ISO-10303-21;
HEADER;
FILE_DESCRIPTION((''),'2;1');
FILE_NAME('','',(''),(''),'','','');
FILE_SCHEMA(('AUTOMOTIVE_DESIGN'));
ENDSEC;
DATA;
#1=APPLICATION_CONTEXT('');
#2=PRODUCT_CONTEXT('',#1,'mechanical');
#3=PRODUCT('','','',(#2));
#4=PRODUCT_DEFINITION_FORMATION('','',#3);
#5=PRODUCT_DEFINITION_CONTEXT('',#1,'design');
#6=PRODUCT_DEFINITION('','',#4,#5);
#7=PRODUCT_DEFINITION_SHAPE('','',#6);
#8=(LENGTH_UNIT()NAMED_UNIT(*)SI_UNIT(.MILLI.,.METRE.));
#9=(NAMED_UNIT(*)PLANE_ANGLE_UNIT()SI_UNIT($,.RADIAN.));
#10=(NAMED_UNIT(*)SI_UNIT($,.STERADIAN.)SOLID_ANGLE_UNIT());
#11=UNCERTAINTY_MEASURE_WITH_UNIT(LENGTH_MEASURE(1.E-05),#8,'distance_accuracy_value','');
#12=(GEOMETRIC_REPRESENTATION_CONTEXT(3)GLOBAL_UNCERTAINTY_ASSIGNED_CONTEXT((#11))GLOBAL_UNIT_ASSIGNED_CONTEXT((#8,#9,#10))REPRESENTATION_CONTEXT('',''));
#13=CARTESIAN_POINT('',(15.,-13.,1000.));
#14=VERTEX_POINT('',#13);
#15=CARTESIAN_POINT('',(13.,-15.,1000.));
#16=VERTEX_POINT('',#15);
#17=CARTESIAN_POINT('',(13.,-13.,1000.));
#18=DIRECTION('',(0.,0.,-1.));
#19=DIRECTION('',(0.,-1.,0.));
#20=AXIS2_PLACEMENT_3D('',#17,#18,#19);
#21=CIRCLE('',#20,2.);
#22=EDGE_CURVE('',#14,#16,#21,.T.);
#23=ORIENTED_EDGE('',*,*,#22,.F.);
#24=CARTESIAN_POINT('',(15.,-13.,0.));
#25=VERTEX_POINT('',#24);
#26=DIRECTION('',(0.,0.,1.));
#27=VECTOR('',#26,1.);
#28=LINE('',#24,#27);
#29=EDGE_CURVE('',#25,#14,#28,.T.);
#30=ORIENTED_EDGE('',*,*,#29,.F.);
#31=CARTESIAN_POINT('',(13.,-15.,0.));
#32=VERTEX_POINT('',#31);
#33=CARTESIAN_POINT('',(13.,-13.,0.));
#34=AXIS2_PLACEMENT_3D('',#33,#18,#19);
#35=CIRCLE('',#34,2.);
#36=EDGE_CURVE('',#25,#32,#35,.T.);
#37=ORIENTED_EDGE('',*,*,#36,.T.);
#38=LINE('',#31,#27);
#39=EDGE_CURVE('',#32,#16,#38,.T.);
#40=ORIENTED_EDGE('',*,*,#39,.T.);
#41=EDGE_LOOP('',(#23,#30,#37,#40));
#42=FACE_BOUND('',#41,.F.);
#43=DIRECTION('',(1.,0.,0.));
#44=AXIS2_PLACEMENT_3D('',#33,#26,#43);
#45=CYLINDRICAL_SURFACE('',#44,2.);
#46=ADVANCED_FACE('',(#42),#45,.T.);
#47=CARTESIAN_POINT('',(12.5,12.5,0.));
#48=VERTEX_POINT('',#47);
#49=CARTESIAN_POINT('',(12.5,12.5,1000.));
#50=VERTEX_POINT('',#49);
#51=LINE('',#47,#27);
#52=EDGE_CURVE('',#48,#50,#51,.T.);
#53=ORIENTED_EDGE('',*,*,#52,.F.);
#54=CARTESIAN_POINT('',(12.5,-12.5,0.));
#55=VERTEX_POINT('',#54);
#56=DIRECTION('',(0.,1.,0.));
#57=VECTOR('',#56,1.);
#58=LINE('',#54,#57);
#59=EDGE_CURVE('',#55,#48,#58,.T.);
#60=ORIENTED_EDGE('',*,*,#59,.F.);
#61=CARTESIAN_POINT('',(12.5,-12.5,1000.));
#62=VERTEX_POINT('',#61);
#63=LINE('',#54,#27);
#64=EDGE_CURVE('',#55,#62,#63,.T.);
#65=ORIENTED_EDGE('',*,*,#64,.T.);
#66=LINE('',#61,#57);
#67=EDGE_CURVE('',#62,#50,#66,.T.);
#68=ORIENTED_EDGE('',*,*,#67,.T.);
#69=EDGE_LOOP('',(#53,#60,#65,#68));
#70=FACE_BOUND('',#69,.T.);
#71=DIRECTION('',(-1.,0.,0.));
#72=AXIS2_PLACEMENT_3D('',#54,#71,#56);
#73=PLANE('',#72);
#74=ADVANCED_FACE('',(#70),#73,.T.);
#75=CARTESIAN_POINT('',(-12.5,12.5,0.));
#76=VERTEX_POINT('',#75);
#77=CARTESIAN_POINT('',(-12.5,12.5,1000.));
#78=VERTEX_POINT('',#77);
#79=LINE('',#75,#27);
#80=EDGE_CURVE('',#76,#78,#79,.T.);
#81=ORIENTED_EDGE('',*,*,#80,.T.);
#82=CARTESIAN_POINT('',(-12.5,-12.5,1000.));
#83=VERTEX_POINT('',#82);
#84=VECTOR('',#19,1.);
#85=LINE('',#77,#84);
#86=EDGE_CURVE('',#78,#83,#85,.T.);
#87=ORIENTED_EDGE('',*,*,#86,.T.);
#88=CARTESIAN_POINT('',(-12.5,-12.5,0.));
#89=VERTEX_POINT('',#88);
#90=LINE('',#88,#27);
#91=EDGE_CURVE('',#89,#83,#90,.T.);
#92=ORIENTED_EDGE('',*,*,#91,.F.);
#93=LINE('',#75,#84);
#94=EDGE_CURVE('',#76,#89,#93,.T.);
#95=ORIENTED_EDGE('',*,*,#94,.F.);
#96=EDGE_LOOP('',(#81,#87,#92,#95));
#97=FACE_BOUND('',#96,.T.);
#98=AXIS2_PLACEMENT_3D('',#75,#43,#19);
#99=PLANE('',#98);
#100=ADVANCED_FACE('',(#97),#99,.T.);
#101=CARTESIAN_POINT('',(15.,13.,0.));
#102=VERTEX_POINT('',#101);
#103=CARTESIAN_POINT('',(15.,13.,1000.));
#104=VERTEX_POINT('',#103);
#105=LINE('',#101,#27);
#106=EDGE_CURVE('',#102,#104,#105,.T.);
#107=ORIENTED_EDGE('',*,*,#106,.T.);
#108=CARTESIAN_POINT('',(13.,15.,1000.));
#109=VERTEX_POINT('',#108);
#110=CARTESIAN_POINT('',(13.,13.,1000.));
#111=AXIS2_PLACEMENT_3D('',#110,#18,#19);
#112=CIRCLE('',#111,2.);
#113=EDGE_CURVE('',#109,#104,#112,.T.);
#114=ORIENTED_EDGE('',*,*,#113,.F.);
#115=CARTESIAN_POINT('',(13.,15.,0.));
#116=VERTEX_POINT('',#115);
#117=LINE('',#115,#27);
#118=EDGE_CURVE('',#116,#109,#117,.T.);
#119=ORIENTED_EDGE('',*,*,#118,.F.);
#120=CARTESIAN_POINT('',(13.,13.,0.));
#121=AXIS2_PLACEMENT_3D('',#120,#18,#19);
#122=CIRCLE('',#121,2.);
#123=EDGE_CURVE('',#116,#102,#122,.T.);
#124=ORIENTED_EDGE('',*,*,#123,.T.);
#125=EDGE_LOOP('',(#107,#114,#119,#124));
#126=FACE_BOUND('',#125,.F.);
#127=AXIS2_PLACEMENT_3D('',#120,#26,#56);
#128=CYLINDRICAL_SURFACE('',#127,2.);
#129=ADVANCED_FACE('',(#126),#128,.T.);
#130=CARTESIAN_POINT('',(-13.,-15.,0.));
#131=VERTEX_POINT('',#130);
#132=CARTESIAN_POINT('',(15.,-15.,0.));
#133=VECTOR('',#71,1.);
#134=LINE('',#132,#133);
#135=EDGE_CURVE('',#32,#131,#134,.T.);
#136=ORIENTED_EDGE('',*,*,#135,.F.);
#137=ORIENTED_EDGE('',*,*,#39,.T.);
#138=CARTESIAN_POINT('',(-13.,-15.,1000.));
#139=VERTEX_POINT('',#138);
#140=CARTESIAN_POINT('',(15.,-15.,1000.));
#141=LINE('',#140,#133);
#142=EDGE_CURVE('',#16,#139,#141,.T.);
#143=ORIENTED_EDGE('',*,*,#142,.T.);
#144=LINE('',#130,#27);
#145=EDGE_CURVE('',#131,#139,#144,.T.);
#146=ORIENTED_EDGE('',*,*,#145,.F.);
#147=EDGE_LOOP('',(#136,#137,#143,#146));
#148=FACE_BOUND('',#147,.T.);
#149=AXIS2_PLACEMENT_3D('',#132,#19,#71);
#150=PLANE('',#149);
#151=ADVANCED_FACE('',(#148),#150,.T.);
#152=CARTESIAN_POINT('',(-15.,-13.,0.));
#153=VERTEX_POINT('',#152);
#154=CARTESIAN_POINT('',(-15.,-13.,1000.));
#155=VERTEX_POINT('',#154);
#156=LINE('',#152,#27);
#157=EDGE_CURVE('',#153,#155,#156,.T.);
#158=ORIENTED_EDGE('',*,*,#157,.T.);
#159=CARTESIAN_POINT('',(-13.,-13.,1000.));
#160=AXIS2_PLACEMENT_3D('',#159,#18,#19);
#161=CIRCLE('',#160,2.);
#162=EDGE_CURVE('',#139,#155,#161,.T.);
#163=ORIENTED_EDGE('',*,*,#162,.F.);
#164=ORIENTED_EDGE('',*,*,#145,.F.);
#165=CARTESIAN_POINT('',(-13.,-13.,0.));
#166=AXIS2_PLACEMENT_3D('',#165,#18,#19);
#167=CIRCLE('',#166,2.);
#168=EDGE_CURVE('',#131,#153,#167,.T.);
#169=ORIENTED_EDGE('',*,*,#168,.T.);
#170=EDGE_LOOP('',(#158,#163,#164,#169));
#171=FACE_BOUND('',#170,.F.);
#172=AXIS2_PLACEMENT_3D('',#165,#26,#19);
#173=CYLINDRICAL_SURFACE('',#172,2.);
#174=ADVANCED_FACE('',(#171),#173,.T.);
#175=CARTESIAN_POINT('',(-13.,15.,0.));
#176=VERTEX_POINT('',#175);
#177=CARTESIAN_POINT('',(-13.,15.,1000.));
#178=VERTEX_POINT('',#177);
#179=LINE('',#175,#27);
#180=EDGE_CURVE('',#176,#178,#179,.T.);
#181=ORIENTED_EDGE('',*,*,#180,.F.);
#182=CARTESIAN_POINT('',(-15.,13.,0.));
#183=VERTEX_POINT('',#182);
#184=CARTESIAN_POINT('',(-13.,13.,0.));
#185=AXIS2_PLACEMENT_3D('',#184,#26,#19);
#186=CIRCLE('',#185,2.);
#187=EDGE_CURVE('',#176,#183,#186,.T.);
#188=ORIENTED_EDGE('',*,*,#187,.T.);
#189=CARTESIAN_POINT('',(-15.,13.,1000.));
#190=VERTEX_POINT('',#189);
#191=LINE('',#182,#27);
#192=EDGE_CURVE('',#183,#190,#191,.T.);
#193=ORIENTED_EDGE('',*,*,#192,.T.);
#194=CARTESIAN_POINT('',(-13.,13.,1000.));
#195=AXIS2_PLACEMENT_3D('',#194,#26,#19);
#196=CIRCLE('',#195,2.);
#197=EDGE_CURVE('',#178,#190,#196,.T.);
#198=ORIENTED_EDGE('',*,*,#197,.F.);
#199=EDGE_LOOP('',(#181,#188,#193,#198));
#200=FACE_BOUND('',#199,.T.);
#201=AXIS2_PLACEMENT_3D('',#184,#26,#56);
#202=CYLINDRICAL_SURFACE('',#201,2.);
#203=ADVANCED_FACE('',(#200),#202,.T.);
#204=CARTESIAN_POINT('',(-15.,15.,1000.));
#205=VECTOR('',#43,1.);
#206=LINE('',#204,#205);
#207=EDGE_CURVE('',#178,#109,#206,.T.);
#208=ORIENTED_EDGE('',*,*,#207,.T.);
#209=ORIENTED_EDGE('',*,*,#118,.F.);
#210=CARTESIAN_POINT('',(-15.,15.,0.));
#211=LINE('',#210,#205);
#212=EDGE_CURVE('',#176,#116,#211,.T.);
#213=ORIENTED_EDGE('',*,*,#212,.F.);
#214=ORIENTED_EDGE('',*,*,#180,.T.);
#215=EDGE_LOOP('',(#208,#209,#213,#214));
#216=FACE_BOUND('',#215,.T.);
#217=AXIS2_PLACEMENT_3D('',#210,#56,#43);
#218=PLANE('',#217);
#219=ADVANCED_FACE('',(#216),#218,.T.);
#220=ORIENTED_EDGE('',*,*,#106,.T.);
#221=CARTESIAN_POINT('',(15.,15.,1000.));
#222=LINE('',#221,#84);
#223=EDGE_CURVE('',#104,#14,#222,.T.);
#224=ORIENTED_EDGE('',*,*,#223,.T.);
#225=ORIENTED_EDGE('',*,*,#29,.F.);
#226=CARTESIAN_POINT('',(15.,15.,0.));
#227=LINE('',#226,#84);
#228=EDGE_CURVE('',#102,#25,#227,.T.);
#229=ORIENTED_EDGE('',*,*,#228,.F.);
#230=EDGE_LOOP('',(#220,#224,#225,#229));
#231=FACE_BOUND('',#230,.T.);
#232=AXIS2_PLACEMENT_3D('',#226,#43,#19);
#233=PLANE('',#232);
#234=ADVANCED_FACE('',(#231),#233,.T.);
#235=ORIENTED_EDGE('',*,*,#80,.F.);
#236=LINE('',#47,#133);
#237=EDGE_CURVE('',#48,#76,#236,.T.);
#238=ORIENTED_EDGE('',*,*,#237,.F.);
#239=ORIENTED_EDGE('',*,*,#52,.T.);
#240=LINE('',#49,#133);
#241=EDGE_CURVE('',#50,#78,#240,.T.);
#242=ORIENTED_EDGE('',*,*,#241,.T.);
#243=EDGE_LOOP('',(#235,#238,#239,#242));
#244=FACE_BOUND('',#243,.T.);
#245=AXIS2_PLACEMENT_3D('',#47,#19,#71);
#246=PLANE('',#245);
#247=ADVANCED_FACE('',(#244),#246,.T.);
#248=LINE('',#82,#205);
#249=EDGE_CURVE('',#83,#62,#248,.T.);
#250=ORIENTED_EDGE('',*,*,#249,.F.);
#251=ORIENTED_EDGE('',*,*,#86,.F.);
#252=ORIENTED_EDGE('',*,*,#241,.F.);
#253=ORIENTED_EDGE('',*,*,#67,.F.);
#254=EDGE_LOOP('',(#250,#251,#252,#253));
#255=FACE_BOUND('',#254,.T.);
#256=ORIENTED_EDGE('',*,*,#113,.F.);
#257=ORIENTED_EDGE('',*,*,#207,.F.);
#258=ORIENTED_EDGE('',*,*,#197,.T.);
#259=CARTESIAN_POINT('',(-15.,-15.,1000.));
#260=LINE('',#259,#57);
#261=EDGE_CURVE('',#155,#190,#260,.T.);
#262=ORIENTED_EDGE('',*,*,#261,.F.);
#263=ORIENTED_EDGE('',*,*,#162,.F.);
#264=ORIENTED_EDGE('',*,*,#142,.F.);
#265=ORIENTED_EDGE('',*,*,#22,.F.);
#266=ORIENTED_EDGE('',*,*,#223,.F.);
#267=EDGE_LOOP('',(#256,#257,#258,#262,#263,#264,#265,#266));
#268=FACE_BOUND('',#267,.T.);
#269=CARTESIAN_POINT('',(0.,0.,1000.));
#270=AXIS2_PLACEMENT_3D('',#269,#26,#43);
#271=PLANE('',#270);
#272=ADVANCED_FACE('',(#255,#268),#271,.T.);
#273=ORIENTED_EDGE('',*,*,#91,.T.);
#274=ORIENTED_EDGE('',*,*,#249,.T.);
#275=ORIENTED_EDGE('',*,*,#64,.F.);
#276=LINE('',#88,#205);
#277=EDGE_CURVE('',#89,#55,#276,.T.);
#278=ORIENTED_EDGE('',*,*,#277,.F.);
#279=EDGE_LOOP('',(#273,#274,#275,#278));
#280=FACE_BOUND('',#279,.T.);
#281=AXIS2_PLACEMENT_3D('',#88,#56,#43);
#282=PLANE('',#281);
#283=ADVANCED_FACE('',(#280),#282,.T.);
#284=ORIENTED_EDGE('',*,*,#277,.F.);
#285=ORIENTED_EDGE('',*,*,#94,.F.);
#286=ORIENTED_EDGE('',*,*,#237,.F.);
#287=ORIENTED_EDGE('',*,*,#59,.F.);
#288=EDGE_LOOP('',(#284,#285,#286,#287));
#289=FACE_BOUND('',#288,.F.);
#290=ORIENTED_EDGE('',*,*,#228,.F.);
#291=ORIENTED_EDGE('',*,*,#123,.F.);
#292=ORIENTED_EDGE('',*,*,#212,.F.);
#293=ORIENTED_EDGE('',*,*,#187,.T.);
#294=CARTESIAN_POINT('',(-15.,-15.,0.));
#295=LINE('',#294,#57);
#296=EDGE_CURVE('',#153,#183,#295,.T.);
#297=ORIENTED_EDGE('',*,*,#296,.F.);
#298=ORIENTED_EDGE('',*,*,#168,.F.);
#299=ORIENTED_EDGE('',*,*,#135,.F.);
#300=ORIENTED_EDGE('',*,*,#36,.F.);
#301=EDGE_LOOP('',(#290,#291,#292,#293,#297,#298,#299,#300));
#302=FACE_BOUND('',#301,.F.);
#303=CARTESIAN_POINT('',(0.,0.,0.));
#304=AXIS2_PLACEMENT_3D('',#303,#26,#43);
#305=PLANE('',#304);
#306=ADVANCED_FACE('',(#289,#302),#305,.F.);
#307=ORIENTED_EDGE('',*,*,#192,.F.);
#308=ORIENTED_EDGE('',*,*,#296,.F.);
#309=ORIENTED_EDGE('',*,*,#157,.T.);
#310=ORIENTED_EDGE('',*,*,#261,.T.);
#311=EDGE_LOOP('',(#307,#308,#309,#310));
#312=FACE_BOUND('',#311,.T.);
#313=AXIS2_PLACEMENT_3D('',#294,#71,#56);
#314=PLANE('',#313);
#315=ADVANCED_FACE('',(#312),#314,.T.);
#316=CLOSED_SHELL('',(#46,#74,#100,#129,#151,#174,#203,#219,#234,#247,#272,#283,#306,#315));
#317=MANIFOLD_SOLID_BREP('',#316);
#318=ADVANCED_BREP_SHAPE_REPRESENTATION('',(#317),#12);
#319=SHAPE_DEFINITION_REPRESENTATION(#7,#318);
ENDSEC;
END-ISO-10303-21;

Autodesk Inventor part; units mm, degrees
ref_plane "YZ Plane" through (0, 0, 0) normal (1, 0, 0) x (0, 1, 0)
ref_plane "XZ Plane" through (0, 0, 0) normal (0, 1, 0) x (-1, 0, 0)
sketch "Sketch1" plane through (0, 0, 0) normal (0, 0, 1) x (1, 0, 0)
  line L0 (-15, 15) -> (15, 15)
  line L1 (15, 15) -> (15, -15)
  line L2 (15, -15) -> (-15, -15)
  line L3 (-15, -15) -> (-15, 15)
  line L4 (12.5, 12.5) -> (-12.5, 12.5)
  line L5 (-12.5, 12.5) -> (-12.5, -12.5)
  line L6 (-12.5, -12.5) -> (12.5, -12.5)
  line L7 (12.5, -12.5) -> (12.5, 12.5)
  point P0 (0, 0)
  dimension "d0" = 30
  dimension "d1" = 30
  dimension "d2" = 15
  dimension "d3" = 15
  dimension "d4" = 2.5
extrude "Extrusion1" add sketch "Sketch1" along normal blind 1000
fillet "Fillet1" radius 2 4 edges at (15, 15, 500) (-15, 15, 500) (-15, -15, 500) (15, -15, 500)
ref_plane "Work Plane1" through (0, 0, 150) normal (0, 0, -1) x (-1, 0, 0)
split "Split1" [suppressed]
equation "\"d0\" = sm_varx_squareBarDimension"
equation "\"d1\" = d0"
equation "\"d2\" = 0.5 * d1"
equation "\"d3\" = 0.5 * d0"
equation "\"d4\" = sm_varx_squareBarThickness"
equation "\"sm_varx_squareBarDimension\" = 30"
equation "\"sm_varx_squareBarThickness\" = 2.5"
equation "\"hoop_angle_z\" = 45deg"
equation "\"hoop_bearing_length\" = 5deg"
equation "\"hoop_cable_diam\" = 5"
equation "\"hoop_cable_pulley_diam\" = 22"
equation "\"rack_tooth_addendum\" = 5"
equation "\"rack_tooth_dedendum\" = 5"
equation "\"rack_tooth_thickness\" = 5"
equation "\"secure_arm_angle\" = 20deg"
equation "\"secure_arm_hold_length\" = 35"
equation "\"secure_arm_radii\" = 9"
equation "\"support_baseClamp_platformLengthBuffer\" = 35"
equation "\"support_baseClamp_platformThickness\" = 15"
equation "\"support_baseClamp_platformWidthBuffer\" = 0"
equation "\"support_baseClamp_sleeveHoleDiameter\" = 12"
equation "\"support_baseClamp_sleeveSweepTerminationAngle\" = 55deg"
equation "\"support_baseClamp_thickness\" = 8"
equation "\"support_frame_endHoleBuffer\" = 25"
equation "\"support_frame_squareBarFillet\" = 2"
equation "\"support_frame_squareBarThickness\" = 5"
equation "\"hoop_tabs_thickness\" = 6"
equation "\"hoop_tabs_hole\" = 4"
equation "\"wheelchair_deployed_width\" = 635"
equation "\"wheelchair_deployed_length\" = 1067"
equation "\"wheelchair_deployed_height\" = 914"
properties part number "bar_steel_square_hollow_30x30x1000_2.5" material "Steel, Galvanized"
